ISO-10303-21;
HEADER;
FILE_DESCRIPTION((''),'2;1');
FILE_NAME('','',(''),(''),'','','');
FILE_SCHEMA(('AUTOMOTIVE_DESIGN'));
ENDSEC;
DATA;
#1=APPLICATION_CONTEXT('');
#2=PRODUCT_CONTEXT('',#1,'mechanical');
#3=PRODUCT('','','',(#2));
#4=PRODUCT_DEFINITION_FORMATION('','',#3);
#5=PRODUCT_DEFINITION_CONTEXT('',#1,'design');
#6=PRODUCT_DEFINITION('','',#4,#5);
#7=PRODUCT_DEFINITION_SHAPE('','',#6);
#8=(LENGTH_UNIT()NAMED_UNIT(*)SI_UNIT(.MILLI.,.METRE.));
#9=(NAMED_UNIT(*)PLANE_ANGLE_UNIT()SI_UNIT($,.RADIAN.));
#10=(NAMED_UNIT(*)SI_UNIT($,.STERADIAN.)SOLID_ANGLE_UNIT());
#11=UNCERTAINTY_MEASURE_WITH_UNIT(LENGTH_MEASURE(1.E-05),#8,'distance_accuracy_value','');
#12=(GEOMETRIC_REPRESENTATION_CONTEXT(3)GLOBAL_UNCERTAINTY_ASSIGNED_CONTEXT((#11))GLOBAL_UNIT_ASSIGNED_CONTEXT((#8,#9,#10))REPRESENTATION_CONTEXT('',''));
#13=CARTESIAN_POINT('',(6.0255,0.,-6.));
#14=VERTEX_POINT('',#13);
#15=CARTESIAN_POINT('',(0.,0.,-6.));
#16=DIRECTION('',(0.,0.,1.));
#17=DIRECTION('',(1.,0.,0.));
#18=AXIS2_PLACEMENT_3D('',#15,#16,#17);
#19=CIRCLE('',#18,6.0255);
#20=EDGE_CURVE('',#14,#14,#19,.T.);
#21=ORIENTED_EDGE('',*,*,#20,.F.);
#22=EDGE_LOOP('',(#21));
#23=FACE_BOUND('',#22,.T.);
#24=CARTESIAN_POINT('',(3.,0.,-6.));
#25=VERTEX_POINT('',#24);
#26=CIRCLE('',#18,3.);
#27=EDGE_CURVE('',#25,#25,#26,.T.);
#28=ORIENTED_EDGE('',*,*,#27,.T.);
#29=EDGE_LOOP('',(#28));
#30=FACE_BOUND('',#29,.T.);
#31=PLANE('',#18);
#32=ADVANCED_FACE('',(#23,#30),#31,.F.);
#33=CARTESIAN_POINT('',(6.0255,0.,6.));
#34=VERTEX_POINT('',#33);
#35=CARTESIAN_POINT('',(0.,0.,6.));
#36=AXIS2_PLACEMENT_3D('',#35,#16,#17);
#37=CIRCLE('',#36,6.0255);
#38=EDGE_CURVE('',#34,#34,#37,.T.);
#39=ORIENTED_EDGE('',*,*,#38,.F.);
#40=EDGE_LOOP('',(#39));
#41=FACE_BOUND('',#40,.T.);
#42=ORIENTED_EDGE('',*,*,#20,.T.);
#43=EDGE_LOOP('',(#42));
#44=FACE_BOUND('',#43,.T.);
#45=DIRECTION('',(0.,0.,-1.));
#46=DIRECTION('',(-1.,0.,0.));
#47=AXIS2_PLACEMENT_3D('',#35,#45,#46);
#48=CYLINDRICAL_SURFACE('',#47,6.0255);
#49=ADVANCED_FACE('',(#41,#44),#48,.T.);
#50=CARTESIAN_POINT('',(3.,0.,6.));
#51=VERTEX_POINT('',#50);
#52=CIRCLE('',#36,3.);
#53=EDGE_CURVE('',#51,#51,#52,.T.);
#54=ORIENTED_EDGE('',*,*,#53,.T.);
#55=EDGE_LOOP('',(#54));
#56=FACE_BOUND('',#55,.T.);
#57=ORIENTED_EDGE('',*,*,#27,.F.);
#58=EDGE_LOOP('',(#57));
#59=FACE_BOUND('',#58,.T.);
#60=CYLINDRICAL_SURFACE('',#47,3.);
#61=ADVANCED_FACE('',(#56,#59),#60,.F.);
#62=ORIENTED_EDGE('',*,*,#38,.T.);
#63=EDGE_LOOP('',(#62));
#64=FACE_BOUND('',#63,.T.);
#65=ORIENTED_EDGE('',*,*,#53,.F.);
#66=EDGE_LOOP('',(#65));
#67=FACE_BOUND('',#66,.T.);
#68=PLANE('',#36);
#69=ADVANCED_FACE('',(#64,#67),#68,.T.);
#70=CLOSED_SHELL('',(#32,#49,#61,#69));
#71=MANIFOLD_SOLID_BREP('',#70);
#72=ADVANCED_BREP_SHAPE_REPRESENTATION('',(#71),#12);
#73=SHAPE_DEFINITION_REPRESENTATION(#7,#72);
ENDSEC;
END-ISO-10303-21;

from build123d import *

# Parameters (mm, degrees)
SKETCH3_R                = 6.0255
SKETCH3_R_2              = 3
BOSS_EXTRUDE1_DEPTH      = 6
BOSS_EXTRUDE1_DEPTH_BACK = 6


with BuildPart() as part:
    # Sketch3 → Boss-Extrude1 (new body, two sides)
    with BuildSketch(Plane.XY) as boss_extrude1_sk:
        Circle(SKETCH3_R)
        Circle(SKETCH3_R_2, mode=Mode.SUBTRACT)
    extrude(amount=BOSS_EXTRUDE1_DEPTH)
    extrude(boss_extrude1_sk.sketch, amount=-BOSS_EXTRUDE1_DEPTH_BACK)


solid = part.part
